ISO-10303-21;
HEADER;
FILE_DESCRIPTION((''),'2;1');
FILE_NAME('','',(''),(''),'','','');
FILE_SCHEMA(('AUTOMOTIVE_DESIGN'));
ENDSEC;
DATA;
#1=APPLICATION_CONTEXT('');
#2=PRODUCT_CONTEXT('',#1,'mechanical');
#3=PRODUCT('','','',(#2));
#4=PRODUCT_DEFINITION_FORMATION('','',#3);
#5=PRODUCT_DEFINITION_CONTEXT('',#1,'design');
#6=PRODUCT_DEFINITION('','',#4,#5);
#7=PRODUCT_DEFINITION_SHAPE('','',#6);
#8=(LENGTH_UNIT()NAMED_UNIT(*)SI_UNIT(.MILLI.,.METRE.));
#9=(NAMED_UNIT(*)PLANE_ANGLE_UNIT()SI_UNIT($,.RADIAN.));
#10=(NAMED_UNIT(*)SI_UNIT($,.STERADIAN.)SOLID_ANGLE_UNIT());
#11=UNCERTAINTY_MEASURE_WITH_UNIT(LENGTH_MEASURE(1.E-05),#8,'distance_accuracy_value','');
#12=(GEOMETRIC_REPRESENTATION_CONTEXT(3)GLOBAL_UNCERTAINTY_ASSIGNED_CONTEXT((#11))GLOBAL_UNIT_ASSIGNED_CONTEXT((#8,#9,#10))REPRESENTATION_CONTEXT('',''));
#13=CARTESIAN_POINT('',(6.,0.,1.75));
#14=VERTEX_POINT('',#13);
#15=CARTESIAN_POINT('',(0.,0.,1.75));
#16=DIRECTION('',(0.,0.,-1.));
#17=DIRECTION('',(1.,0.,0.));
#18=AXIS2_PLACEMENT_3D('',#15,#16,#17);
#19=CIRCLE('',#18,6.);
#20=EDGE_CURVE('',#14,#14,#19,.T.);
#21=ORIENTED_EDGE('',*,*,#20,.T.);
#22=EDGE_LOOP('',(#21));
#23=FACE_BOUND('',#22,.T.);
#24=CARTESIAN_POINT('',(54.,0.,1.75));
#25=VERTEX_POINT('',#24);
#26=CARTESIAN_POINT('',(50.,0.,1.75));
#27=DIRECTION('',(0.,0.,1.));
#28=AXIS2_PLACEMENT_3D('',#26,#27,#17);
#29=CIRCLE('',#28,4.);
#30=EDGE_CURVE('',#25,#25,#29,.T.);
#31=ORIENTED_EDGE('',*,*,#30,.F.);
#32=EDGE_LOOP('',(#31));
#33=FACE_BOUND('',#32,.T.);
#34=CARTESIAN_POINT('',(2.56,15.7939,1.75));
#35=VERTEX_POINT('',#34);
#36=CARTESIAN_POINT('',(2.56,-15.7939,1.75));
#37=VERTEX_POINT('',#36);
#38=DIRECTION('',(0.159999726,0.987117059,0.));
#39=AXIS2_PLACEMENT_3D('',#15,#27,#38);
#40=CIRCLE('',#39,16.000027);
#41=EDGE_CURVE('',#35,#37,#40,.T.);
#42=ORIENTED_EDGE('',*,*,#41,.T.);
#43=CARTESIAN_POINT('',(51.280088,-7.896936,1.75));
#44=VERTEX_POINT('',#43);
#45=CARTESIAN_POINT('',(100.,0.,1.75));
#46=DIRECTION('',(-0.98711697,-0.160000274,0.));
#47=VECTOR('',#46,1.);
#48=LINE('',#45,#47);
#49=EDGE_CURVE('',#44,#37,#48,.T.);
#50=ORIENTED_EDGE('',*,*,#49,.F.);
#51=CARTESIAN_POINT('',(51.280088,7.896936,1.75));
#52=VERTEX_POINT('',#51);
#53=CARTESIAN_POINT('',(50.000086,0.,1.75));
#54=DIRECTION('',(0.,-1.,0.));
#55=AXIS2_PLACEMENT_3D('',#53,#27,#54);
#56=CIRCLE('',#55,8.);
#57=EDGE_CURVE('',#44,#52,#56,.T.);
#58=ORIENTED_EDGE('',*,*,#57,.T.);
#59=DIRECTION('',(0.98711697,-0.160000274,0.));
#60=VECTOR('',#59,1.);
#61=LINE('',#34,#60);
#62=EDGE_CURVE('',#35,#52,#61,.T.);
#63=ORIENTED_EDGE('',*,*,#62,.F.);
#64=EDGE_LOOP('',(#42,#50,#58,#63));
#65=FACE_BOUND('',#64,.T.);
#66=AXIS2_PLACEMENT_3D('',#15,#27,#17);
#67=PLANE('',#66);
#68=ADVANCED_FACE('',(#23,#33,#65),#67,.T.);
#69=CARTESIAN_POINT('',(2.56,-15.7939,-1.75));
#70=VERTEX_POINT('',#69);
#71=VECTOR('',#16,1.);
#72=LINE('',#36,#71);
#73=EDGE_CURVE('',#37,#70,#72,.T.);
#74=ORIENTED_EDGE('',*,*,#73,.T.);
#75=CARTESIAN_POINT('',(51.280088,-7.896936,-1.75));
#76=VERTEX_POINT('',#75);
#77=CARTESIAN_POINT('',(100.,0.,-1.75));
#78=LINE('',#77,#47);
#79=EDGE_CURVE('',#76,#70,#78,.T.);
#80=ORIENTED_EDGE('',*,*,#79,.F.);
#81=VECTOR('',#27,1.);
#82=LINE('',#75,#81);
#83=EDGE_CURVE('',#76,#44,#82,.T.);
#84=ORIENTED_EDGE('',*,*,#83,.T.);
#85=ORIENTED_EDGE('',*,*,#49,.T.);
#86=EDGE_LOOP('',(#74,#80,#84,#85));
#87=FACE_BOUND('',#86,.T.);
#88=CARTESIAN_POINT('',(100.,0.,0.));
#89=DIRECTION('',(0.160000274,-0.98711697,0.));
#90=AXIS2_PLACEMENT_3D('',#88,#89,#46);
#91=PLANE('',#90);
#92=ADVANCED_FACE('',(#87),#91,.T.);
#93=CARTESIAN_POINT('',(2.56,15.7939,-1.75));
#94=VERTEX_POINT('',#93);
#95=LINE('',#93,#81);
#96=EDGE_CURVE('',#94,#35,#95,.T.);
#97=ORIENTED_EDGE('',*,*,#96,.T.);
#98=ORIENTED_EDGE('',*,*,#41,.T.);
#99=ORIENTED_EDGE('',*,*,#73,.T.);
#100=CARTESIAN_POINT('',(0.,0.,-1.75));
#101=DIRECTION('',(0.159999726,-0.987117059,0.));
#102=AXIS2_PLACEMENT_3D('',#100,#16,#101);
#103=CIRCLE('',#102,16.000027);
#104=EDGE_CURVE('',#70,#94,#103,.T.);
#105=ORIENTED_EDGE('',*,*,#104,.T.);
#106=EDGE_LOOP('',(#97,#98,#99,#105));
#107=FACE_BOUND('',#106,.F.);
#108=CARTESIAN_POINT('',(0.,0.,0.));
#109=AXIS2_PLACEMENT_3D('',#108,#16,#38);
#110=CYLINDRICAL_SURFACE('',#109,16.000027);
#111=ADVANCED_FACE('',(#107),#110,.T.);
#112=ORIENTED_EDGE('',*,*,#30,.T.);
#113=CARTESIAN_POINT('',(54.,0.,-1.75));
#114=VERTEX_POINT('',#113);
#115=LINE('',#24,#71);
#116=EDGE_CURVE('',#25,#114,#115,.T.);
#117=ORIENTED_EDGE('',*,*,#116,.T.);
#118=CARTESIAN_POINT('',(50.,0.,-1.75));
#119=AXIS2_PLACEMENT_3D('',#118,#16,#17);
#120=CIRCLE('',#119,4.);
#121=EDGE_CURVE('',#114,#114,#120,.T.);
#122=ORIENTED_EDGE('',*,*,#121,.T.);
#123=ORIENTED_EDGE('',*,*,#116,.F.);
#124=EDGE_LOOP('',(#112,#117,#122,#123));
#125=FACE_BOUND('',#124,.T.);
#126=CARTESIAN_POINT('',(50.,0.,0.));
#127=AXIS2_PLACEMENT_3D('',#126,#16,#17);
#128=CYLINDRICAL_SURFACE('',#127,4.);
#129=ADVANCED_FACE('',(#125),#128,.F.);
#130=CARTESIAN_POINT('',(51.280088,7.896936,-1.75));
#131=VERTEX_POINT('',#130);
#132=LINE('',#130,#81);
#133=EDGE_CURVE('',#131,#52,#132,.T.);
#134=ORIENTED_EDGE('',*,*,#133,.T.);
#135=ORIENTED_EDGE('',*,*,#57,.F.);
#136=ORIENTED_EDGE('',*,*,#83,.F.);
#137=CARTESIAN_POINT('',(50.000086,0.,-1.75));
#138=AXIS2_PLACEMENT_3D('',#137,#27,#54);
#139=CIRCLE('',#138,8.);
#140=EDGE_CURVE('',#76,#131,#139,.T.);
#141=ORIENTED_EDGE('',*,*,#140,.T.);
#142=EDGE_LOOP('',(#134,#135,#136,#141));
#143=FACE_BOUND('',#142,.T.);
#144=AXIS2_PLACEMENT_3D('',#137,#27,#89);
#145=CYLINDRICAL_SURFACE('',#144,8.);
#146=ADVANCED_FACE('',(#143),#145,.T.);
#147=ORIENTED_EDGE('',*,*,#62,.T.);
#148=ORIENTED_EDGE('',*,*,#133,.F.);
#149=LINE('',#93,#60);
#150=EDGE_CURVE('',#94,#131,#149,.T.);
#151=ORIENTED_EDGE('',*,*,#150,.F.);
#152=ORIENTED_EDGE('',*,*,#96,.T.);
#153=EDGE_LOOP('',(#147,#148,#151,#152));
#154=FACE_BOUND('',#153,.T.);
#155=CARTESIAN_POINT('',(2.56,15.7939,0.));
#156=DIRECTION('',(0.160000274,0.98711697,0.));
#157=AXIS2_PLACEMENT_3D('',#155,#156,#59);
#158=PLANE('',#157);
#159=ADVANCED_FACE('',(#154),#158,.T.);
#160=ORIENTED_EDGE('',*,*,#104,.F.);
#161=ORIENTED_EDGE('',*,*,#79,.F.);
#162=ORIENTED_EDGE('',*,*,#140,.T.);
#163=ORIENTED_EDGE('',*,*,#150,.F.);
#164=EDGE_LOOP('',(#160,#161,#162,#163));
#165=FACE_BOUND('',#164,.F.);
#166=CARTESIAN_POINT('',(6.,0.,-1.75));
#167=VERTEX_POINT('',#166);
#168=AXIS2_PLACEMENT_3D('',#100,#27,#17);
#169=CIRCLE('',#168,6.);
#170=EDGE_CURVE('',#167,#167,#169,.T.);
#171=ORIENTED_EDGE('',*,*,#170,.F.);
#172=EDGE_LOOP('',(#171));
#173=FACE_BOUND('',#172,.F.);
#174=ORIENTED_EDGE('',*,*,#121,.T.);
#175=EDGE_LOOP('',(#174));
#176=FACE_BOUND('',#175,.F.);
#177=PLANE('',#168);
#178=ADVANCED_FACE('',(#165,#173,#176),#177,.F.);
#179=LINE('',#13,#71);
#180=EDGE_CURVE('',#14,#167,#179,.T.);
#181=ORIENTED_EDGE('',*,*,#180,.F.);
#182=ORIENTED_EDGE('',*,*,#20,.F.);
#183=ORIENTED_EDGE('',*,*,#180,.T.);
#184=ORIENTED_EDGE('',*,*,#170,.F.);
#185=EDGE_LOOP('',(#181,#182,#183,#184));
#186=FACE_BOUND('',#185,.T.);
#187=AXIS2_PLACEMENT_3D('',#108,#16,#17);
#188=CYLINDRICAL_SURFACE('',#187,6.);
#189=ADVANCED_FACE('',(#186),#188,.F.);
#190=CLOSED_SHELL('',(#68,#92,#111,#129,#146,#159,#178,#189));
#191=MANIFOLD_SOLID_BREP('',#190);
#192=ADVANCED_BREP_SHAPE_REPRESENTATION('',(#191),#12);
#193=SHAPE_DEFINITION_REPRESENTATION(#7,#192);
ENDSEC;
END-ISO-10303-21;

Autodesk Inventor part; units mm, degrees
ref_plane "YZ Plane" through (0, 0, 0) normal (1, 0, 0) x (0, 1, 0)
ref_plane "XZ Plane" through (0, 0, 0) normal (0, 1, 0) x (-1, 0, 0)
ref_plane "XY Plane" through (0, 0, 0) normal (0, 0, 1) x (1, 0, 0)
sketch "スケッチ1" plane through (0, 0, 0) normal (0, 0, 1) x (1, 0, 0)
  circle A0 centre (0, 0) radius 6
  circle A1 centre (50, 0) radius 4
  arc A2 (2.56, 15.7939) -> (2.56, -15.7939) centre (0, 0) ccw
  line L0 (2.56, 15.7939) -> (100, 0)
  line L1 (100, 0) -> (2.56, -15.7939)
  line L2 (-39.2, 0) -> (123.2, 0) projected
  dimension "d0" = 50
  dimension "d1" = 12
  dimension "d2" = 10
  dimension "d3" = 8
  dimension "d4" = 8
  dimension "d5" = 8
extrude "押し出し1" add sketch "スケッチ1" along normal mid plane 3.5 contours L2 A1 L1 A2 A0 | A0 L2 A2 L0 A1
fillet "フィレット1" radius 8 1 edges at (100, 0, 0)
equation "\"d5\" = d4"
properties part number "plate" material "アルミニウム 6061"
